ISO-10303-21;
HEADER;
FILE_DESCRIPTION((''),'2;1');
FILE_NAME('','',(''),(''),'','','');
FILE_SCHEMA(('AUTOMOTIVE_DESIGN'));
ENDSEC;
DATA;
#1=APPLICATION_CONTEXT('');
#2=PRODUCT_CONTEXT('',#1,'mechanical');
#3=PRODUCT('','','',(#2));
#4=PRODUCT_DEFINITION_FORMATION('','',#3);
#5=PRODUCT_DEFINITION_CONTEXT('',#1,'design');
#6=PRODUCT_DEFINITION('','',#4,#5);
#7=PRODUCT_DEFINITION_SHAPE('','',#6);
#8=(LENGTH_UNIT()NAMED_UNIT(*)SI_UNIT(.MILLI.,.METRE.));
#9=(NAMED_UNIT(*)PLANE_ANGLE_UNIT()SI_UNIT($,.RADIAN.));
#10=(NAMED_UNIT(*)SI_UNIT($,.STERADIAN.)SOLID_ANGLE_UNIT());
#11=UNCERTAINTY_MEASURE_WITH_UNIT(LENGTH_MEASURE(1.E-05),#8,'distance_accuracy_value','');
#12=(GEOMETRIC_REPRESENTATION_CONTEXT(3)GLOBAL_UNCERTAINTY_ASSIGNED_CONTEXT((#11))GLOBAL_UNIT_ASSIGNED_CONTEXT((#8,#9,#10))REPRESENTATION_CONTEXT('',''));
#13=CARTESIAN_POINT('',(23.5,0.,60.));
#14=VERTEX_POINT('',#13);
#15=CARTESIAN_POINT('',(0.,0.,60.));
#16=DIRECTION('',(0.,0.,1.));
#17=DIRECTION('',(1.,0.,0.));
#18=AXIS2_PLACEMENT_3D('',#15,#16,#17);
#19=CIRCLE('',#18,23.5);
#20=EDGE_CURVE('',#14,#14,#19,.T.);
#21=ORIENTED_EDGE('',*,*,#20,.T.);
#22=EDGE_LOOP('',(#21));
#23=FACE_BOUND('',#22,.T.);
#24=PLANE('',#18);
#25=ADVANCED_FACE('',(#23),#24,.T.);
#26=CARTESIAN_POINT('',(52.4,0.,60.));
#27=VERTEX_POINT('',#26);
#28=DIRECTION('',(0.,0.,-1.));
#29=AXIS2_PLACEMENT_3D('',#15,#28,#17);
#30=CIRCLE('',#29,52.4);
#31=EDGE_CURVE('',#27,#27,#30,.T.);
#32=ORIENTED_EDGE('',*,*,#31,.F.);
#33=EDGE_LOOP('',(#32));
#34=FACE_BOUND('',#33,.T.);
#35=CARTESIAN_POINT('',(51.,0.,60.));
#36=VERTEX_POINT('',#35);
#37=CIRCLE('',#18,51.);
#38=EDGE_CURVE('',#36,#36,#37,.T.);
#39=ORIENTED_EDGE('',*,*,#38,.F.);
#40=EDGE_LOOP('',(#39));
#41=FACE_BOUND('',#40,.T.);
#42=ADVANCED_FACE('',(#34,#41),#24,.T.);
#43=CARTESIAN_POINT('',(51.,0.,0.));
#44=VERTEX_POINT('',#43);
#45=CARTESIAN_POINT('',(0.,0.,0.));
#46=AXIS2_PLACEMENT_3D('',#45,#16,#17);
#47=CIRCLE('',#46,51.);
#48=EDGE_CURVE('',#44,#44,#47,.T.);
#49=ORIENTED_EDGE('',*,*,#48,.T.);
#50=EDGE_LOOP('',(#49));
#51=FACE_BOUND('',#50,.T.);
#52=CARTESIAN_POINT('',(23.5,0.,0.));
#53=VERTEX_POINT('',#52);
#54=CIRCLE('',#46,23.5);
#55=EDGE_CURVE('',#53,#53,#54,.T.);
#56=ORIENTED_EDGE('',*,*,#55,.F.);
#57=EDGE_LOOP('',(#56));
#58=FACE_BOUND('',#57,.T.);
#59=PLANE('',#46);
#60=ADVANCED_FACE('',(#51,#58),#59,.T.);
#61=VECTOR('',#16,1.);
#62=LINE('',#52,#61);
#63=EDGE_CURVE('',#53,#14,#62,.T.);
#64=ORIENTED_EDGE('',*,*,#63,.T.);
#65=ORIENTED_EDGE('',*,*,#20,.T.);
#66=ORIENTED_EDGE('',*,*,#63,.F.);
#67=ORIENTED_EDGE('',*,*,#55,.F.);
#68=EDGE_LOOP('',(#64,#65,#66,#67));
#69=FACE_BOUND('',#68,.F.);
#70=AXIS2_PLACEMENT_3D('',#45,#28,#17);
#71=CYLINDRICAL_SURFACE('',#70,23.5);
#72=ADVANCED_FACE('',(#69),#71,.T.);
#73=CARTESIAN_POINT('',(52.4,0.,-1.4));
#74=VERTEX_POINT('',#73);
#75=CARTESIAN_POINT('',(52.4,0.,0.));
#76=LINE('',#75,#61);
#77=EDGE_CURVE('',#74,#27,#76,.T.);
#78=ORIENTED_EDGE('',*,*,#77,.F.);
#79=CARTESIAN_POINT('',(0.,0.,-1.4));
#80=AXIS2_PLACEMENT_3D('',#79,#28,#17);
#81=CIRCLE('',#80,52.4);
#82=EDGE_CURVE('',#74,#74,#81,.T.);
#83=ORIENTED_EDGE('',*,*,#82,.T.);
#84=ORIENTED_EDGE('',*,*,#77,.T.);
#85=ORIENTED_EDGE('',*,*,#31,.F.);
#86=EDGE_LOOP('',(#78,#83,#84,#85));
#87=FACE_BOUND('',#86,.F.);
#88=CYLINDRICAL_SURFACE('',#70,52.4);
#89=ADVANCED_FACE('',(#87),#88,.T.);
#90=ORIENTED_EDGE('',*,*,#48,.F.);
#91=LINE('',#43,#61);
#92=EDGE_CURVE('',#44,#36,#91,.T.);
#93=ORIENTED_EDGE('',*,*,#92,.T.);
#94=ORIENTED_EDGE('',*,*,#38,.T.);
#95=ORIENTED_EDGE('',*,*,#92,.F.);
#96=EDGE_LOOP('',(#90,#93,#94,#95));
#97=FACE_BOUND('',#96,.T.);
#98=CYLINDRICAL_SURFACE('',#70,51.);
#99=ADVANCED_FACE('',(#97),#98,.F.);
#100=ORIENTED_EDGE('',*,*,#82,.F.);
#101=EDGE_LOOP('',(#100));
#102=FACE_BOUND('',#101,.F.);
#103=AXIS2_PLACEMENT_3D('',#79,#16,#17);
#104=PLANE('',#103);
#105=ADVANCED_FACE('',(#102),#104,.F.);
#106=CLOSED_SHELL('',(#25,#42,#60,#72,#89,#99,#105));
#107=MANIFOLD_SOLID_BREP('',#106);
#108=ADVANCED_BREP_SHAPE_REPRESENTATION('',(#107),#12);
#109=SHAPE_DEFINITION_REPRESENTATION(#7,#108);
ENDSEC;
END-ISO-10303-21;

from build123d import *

# Parameters (mm, degrees)
SKETCH_R     = 51
PAD_DEPTH    = 60
THICKNESS_T  = 1.4
SKETCH001_R  = 23.5
PAD001_DEPTH = 60


with BuildPart() as part:
    # Sketch → Pad (new body)
    with BuildSketch(Plane.XY):
        Circle(SKETCH_R)
    extrude(amount=PAD_DEPTH)

    # Thickness
    thickness_openings = [part.faces().sort_by_distance(p)[0] for p in [
        (0, 0, 60),
    ]]
    offset(amount=THICKNESS_T, openings=thickness_openings, kind=Kind.INTERSECTION)

    # Sketch001 (on Face2 of Thickness) → Pad001 (join)
    with BuildSketch(Plane.XY):
        Circle(SKETCH001_R)
    extrude(amount=PAD001_DEPTH)


solid = part.part
